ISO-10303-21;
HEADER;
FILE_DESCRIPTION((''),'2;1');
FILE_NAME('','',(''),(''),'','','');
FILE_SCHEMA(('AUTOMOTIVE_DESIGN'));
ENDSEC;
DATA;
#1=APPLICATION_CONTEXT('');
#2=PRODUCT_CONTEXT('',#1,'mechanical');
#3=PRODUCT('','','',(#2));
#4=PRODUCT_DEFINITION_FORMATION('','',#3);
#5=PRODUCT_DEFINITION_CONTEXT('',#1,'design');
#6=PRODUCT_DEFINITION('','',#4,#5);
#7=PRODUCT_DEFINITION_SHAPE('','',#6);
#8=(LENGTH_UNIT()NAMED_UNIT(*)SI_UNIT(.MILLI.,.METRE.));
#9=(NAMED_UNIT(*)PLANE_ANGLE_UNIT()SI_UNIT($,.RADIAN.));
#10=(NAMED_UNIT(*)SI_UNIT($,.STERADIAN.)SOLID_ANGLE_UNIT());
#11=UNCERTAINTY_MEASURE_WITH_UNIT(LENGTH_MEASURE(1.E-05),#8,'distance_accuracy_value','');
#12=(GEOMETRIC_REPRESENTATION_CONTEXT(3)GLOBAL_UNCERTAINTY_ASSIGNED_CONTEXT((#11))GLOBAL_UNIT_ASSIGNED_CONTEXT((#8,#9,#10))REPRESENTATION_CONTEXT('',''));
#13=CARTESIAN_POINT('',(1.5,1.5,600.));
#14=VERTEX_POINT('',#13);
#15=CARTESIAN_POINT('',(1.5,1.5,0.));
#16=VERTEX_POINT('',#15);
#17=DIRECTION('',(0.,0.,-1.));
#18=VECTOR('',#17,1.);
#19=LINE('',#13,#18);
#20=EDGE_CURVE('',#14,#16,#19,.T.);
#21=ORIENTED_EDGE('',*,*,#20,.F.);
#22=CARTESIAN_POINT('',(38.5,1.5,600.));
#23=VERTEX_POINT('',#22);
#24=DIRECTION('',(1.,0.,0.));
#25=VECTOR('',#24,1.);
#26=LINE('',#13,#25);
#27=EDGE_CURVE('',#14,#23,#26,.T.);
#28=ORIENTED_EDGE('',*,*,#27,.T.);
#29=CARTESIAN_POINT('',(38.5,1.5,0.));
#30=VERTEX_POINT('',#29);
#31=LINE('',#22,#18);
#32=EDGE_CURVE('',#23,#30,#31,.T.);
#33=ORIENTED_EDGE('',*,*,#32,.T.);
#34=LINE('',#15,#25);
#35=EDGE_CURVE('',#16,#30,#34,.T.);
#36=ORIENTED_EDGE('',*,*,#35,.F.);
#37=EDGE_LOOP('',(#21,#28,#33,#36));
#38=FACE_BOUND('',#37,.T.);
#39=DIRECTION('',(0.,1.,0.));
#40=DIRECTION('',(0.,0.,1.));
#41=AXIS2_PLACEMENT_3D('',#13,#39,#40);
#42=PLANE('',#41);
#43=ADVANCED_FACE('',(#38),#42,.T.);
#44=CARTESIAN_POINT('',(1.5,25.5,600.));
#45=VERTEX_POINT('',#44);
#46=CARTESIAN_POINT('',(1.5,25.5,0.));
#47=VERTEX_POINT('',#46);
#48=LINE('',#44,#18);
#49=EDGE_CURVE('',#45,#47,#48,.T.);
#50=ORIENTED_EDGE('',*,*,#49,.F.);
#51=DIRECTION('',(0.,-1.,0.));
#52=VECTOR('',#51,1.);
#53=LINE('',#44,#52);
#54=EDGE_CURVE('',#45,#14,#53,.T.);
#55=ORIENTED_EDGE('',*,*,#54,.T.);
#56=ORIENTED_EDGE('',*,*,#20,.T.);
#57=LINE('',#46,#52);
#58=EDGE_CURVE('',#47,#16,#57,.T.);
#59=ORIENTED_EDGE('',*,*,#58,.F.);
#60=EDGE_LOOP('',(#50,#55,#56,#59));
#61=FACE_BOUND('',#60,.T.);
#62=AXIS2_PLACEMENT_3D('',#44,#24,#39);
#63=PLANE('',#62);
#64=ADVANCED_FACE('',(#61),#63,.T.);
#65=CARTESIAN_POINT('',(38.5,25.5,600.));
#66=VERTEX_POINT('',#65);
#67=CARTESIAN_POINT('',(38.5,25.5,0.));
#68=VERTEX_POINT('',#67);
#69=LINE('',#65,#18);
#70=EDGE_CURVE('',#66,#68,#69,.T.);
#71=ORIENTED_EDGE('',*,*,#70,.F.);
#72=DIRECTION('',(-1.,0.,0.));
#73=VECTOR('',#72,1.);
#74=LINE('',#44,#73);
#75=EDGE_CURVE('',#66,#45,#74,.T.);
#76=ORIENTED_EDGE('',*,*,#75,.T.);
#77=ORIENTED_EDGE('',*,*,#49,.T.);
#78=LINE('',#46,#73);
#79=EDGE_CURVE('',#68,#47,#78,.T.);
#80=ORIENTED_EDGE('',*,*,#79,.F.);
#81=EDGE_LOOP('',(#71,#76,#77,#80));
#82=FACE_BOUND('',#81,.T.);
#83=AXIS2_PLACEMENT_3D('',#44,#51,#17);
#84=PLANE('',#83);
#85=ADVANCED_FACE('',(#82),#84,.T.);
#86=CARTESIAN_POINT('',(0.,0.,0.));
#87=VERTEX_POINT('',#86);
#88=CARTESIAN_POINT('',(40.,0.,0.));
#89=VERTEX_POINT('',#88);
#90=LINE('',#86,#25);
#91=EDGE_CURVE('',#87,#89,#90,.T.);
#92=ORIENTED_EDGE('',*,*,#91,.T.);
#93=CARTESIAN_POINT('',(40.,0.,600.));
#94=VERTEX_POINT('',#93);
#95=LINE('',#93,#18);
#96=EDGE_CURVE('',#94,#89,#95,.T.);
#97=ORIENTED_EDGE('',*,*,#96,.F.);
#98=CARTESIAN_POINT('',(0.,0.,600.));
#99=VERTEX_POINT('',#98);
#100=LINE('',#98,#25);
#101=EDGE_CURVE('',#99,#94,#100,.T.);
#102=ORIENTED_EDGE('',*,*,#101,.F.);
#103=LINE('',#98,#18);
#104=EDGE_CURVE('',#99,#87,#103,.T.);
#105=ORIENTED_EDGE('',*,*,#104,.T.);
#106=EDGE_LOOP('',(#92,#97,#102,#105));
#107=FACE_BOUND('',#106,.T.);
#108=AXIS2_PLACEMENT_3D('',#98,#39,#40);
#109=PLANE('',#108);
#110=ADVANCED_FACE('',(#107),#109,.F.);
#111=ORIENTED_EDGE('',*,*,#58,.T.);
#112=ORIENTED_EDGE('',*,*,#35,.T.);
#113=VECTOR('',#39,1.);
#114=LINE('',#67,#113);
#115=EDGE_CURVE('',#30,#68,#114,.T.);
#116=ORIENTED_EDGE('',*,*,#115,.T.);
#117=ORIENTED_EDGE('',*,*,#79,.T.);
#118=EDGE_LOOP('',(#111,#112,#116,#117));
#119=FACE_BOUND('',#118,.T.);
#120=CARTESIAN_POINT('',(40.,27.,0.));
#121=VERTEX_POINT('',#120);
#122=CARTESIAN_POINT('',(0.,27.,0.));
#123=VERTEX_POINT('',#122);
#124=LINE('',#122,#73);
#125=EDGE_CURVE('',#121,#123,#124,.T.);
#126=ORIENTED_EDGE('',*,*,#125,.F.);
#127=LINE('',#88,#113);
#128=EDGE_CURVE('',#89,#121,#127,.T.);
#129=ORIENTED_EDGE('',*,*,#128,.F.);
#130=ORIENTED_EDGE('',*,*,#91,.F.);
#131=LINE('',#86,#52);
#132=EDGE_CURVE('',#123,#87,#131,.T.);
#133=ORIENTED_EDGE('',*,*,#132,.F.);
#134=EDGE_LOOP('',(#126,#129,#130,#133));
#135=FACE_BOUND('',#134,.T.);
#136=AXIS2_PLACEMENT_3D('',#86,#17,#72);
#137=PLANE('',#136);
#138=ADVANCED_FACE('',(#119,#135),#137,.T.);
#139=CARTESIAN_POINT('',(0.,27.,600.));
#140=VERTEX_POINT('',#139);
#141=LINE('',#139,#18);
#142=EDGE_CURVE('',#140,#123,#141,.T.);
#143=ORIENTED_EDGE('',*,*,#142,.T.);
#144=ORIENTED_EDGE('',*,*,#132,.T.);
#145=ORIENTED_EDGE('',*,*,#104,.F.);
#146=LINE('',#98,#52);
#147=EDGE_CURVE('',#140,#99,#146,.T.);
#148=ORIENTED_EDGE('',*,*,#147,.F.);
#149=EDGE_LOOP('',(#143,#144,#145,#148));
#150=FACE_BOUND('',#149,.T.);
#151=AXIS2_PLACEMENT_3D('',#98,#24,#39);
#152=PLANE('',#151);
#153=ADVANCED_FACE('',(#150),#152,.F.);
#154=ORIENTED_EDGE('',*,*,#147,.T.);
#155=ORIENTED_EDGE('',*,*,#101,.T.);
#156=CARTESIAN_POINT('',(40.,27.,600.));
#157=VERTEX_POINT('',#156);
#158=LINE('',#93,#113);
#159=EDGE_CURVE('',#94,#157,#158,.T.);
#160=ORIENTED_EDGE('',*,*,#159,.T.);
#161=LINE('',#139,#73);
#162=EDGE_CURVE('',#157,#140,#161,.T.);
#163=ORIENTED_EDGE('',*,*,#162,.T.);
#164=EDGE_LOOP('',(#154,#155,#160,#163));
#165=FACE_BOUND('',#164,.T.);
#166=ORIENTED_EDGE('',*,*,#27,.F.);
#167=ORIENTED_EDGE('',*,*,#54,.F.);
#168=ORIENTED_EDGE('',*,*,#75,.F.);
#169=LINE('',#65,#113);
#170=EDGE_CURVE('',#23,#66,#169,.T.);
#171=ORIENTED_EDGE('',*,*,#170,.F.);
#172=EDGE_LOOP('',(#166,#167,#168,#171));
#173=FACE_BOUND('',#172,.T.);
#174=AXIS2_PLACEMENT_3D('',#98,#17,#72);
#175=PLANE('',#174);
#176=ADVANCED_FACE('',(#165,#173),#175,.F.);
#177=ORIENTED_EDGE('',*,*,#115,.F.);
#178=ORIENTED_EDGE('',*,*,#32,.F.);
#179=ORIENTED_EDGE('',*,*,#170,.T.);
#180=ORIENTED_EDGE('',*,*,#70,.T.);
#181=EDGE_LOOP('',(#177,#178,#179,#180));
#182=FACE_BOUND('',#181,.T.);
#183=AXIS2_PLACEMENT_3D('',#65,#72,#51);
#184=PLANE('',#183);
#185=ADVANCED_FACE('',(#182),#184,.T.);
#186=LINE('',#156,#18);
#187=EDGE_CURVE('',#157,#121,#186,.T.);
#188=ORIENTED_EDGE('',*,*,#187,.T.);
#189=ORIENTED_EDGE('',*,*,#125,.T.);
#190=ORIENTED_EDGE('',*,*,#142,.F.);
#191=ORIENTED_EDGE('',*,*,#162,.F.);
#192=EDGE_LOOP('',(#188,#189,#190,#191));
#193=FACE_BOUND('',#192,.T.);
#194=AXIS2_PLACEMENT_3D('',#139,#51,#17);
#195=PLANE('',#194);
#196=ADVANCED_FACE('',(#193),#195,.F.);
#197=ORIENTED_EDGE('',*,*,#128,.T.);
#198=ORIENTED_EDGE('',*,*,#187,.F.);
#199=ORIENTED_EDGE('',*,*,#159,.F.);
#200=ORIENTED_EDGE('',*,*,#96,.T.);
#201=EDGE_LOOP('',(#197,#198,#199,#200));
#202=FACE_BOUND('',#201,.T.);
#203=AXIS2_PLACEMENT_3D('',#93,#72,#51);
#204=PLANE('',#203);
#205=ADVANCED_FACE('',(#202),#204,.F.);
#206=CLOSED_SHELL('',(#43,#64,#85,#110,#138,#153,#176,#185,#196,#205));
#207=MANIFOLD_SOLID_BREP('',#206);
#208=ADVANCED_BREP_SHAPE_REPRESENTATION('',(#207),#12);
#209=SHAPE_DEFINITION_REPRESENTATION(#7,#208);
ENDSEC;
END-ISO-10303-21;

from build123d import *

# Parameters (mm, degrees)
ESQUISSE1_W        = 40
ESQUISSE1_H        = 27
ESQUISSE1_W_2      = 37
ESQUISSE1_H_2      = 24
BOSS_EXTRU_1_DEPTH = 600


with BuildPart() as part:
    # Esquisse1 → Boss.-Extru.1 (new body)
    with BuildSketch(Plane.XY):
        with Locations((20, 13.5)):
            Rectangle(ESQUISSE1_W, ESQUISSE1_H)
        with Locations((20, 13.5)):
            Rectangle(ESQUISSE1_W_2, ESQUISSE1_H_2, mode=Mode.SUBTRACT)
    extrude(amount=BOSS_EXTRU_1_DEPTH)


solid = part.part
